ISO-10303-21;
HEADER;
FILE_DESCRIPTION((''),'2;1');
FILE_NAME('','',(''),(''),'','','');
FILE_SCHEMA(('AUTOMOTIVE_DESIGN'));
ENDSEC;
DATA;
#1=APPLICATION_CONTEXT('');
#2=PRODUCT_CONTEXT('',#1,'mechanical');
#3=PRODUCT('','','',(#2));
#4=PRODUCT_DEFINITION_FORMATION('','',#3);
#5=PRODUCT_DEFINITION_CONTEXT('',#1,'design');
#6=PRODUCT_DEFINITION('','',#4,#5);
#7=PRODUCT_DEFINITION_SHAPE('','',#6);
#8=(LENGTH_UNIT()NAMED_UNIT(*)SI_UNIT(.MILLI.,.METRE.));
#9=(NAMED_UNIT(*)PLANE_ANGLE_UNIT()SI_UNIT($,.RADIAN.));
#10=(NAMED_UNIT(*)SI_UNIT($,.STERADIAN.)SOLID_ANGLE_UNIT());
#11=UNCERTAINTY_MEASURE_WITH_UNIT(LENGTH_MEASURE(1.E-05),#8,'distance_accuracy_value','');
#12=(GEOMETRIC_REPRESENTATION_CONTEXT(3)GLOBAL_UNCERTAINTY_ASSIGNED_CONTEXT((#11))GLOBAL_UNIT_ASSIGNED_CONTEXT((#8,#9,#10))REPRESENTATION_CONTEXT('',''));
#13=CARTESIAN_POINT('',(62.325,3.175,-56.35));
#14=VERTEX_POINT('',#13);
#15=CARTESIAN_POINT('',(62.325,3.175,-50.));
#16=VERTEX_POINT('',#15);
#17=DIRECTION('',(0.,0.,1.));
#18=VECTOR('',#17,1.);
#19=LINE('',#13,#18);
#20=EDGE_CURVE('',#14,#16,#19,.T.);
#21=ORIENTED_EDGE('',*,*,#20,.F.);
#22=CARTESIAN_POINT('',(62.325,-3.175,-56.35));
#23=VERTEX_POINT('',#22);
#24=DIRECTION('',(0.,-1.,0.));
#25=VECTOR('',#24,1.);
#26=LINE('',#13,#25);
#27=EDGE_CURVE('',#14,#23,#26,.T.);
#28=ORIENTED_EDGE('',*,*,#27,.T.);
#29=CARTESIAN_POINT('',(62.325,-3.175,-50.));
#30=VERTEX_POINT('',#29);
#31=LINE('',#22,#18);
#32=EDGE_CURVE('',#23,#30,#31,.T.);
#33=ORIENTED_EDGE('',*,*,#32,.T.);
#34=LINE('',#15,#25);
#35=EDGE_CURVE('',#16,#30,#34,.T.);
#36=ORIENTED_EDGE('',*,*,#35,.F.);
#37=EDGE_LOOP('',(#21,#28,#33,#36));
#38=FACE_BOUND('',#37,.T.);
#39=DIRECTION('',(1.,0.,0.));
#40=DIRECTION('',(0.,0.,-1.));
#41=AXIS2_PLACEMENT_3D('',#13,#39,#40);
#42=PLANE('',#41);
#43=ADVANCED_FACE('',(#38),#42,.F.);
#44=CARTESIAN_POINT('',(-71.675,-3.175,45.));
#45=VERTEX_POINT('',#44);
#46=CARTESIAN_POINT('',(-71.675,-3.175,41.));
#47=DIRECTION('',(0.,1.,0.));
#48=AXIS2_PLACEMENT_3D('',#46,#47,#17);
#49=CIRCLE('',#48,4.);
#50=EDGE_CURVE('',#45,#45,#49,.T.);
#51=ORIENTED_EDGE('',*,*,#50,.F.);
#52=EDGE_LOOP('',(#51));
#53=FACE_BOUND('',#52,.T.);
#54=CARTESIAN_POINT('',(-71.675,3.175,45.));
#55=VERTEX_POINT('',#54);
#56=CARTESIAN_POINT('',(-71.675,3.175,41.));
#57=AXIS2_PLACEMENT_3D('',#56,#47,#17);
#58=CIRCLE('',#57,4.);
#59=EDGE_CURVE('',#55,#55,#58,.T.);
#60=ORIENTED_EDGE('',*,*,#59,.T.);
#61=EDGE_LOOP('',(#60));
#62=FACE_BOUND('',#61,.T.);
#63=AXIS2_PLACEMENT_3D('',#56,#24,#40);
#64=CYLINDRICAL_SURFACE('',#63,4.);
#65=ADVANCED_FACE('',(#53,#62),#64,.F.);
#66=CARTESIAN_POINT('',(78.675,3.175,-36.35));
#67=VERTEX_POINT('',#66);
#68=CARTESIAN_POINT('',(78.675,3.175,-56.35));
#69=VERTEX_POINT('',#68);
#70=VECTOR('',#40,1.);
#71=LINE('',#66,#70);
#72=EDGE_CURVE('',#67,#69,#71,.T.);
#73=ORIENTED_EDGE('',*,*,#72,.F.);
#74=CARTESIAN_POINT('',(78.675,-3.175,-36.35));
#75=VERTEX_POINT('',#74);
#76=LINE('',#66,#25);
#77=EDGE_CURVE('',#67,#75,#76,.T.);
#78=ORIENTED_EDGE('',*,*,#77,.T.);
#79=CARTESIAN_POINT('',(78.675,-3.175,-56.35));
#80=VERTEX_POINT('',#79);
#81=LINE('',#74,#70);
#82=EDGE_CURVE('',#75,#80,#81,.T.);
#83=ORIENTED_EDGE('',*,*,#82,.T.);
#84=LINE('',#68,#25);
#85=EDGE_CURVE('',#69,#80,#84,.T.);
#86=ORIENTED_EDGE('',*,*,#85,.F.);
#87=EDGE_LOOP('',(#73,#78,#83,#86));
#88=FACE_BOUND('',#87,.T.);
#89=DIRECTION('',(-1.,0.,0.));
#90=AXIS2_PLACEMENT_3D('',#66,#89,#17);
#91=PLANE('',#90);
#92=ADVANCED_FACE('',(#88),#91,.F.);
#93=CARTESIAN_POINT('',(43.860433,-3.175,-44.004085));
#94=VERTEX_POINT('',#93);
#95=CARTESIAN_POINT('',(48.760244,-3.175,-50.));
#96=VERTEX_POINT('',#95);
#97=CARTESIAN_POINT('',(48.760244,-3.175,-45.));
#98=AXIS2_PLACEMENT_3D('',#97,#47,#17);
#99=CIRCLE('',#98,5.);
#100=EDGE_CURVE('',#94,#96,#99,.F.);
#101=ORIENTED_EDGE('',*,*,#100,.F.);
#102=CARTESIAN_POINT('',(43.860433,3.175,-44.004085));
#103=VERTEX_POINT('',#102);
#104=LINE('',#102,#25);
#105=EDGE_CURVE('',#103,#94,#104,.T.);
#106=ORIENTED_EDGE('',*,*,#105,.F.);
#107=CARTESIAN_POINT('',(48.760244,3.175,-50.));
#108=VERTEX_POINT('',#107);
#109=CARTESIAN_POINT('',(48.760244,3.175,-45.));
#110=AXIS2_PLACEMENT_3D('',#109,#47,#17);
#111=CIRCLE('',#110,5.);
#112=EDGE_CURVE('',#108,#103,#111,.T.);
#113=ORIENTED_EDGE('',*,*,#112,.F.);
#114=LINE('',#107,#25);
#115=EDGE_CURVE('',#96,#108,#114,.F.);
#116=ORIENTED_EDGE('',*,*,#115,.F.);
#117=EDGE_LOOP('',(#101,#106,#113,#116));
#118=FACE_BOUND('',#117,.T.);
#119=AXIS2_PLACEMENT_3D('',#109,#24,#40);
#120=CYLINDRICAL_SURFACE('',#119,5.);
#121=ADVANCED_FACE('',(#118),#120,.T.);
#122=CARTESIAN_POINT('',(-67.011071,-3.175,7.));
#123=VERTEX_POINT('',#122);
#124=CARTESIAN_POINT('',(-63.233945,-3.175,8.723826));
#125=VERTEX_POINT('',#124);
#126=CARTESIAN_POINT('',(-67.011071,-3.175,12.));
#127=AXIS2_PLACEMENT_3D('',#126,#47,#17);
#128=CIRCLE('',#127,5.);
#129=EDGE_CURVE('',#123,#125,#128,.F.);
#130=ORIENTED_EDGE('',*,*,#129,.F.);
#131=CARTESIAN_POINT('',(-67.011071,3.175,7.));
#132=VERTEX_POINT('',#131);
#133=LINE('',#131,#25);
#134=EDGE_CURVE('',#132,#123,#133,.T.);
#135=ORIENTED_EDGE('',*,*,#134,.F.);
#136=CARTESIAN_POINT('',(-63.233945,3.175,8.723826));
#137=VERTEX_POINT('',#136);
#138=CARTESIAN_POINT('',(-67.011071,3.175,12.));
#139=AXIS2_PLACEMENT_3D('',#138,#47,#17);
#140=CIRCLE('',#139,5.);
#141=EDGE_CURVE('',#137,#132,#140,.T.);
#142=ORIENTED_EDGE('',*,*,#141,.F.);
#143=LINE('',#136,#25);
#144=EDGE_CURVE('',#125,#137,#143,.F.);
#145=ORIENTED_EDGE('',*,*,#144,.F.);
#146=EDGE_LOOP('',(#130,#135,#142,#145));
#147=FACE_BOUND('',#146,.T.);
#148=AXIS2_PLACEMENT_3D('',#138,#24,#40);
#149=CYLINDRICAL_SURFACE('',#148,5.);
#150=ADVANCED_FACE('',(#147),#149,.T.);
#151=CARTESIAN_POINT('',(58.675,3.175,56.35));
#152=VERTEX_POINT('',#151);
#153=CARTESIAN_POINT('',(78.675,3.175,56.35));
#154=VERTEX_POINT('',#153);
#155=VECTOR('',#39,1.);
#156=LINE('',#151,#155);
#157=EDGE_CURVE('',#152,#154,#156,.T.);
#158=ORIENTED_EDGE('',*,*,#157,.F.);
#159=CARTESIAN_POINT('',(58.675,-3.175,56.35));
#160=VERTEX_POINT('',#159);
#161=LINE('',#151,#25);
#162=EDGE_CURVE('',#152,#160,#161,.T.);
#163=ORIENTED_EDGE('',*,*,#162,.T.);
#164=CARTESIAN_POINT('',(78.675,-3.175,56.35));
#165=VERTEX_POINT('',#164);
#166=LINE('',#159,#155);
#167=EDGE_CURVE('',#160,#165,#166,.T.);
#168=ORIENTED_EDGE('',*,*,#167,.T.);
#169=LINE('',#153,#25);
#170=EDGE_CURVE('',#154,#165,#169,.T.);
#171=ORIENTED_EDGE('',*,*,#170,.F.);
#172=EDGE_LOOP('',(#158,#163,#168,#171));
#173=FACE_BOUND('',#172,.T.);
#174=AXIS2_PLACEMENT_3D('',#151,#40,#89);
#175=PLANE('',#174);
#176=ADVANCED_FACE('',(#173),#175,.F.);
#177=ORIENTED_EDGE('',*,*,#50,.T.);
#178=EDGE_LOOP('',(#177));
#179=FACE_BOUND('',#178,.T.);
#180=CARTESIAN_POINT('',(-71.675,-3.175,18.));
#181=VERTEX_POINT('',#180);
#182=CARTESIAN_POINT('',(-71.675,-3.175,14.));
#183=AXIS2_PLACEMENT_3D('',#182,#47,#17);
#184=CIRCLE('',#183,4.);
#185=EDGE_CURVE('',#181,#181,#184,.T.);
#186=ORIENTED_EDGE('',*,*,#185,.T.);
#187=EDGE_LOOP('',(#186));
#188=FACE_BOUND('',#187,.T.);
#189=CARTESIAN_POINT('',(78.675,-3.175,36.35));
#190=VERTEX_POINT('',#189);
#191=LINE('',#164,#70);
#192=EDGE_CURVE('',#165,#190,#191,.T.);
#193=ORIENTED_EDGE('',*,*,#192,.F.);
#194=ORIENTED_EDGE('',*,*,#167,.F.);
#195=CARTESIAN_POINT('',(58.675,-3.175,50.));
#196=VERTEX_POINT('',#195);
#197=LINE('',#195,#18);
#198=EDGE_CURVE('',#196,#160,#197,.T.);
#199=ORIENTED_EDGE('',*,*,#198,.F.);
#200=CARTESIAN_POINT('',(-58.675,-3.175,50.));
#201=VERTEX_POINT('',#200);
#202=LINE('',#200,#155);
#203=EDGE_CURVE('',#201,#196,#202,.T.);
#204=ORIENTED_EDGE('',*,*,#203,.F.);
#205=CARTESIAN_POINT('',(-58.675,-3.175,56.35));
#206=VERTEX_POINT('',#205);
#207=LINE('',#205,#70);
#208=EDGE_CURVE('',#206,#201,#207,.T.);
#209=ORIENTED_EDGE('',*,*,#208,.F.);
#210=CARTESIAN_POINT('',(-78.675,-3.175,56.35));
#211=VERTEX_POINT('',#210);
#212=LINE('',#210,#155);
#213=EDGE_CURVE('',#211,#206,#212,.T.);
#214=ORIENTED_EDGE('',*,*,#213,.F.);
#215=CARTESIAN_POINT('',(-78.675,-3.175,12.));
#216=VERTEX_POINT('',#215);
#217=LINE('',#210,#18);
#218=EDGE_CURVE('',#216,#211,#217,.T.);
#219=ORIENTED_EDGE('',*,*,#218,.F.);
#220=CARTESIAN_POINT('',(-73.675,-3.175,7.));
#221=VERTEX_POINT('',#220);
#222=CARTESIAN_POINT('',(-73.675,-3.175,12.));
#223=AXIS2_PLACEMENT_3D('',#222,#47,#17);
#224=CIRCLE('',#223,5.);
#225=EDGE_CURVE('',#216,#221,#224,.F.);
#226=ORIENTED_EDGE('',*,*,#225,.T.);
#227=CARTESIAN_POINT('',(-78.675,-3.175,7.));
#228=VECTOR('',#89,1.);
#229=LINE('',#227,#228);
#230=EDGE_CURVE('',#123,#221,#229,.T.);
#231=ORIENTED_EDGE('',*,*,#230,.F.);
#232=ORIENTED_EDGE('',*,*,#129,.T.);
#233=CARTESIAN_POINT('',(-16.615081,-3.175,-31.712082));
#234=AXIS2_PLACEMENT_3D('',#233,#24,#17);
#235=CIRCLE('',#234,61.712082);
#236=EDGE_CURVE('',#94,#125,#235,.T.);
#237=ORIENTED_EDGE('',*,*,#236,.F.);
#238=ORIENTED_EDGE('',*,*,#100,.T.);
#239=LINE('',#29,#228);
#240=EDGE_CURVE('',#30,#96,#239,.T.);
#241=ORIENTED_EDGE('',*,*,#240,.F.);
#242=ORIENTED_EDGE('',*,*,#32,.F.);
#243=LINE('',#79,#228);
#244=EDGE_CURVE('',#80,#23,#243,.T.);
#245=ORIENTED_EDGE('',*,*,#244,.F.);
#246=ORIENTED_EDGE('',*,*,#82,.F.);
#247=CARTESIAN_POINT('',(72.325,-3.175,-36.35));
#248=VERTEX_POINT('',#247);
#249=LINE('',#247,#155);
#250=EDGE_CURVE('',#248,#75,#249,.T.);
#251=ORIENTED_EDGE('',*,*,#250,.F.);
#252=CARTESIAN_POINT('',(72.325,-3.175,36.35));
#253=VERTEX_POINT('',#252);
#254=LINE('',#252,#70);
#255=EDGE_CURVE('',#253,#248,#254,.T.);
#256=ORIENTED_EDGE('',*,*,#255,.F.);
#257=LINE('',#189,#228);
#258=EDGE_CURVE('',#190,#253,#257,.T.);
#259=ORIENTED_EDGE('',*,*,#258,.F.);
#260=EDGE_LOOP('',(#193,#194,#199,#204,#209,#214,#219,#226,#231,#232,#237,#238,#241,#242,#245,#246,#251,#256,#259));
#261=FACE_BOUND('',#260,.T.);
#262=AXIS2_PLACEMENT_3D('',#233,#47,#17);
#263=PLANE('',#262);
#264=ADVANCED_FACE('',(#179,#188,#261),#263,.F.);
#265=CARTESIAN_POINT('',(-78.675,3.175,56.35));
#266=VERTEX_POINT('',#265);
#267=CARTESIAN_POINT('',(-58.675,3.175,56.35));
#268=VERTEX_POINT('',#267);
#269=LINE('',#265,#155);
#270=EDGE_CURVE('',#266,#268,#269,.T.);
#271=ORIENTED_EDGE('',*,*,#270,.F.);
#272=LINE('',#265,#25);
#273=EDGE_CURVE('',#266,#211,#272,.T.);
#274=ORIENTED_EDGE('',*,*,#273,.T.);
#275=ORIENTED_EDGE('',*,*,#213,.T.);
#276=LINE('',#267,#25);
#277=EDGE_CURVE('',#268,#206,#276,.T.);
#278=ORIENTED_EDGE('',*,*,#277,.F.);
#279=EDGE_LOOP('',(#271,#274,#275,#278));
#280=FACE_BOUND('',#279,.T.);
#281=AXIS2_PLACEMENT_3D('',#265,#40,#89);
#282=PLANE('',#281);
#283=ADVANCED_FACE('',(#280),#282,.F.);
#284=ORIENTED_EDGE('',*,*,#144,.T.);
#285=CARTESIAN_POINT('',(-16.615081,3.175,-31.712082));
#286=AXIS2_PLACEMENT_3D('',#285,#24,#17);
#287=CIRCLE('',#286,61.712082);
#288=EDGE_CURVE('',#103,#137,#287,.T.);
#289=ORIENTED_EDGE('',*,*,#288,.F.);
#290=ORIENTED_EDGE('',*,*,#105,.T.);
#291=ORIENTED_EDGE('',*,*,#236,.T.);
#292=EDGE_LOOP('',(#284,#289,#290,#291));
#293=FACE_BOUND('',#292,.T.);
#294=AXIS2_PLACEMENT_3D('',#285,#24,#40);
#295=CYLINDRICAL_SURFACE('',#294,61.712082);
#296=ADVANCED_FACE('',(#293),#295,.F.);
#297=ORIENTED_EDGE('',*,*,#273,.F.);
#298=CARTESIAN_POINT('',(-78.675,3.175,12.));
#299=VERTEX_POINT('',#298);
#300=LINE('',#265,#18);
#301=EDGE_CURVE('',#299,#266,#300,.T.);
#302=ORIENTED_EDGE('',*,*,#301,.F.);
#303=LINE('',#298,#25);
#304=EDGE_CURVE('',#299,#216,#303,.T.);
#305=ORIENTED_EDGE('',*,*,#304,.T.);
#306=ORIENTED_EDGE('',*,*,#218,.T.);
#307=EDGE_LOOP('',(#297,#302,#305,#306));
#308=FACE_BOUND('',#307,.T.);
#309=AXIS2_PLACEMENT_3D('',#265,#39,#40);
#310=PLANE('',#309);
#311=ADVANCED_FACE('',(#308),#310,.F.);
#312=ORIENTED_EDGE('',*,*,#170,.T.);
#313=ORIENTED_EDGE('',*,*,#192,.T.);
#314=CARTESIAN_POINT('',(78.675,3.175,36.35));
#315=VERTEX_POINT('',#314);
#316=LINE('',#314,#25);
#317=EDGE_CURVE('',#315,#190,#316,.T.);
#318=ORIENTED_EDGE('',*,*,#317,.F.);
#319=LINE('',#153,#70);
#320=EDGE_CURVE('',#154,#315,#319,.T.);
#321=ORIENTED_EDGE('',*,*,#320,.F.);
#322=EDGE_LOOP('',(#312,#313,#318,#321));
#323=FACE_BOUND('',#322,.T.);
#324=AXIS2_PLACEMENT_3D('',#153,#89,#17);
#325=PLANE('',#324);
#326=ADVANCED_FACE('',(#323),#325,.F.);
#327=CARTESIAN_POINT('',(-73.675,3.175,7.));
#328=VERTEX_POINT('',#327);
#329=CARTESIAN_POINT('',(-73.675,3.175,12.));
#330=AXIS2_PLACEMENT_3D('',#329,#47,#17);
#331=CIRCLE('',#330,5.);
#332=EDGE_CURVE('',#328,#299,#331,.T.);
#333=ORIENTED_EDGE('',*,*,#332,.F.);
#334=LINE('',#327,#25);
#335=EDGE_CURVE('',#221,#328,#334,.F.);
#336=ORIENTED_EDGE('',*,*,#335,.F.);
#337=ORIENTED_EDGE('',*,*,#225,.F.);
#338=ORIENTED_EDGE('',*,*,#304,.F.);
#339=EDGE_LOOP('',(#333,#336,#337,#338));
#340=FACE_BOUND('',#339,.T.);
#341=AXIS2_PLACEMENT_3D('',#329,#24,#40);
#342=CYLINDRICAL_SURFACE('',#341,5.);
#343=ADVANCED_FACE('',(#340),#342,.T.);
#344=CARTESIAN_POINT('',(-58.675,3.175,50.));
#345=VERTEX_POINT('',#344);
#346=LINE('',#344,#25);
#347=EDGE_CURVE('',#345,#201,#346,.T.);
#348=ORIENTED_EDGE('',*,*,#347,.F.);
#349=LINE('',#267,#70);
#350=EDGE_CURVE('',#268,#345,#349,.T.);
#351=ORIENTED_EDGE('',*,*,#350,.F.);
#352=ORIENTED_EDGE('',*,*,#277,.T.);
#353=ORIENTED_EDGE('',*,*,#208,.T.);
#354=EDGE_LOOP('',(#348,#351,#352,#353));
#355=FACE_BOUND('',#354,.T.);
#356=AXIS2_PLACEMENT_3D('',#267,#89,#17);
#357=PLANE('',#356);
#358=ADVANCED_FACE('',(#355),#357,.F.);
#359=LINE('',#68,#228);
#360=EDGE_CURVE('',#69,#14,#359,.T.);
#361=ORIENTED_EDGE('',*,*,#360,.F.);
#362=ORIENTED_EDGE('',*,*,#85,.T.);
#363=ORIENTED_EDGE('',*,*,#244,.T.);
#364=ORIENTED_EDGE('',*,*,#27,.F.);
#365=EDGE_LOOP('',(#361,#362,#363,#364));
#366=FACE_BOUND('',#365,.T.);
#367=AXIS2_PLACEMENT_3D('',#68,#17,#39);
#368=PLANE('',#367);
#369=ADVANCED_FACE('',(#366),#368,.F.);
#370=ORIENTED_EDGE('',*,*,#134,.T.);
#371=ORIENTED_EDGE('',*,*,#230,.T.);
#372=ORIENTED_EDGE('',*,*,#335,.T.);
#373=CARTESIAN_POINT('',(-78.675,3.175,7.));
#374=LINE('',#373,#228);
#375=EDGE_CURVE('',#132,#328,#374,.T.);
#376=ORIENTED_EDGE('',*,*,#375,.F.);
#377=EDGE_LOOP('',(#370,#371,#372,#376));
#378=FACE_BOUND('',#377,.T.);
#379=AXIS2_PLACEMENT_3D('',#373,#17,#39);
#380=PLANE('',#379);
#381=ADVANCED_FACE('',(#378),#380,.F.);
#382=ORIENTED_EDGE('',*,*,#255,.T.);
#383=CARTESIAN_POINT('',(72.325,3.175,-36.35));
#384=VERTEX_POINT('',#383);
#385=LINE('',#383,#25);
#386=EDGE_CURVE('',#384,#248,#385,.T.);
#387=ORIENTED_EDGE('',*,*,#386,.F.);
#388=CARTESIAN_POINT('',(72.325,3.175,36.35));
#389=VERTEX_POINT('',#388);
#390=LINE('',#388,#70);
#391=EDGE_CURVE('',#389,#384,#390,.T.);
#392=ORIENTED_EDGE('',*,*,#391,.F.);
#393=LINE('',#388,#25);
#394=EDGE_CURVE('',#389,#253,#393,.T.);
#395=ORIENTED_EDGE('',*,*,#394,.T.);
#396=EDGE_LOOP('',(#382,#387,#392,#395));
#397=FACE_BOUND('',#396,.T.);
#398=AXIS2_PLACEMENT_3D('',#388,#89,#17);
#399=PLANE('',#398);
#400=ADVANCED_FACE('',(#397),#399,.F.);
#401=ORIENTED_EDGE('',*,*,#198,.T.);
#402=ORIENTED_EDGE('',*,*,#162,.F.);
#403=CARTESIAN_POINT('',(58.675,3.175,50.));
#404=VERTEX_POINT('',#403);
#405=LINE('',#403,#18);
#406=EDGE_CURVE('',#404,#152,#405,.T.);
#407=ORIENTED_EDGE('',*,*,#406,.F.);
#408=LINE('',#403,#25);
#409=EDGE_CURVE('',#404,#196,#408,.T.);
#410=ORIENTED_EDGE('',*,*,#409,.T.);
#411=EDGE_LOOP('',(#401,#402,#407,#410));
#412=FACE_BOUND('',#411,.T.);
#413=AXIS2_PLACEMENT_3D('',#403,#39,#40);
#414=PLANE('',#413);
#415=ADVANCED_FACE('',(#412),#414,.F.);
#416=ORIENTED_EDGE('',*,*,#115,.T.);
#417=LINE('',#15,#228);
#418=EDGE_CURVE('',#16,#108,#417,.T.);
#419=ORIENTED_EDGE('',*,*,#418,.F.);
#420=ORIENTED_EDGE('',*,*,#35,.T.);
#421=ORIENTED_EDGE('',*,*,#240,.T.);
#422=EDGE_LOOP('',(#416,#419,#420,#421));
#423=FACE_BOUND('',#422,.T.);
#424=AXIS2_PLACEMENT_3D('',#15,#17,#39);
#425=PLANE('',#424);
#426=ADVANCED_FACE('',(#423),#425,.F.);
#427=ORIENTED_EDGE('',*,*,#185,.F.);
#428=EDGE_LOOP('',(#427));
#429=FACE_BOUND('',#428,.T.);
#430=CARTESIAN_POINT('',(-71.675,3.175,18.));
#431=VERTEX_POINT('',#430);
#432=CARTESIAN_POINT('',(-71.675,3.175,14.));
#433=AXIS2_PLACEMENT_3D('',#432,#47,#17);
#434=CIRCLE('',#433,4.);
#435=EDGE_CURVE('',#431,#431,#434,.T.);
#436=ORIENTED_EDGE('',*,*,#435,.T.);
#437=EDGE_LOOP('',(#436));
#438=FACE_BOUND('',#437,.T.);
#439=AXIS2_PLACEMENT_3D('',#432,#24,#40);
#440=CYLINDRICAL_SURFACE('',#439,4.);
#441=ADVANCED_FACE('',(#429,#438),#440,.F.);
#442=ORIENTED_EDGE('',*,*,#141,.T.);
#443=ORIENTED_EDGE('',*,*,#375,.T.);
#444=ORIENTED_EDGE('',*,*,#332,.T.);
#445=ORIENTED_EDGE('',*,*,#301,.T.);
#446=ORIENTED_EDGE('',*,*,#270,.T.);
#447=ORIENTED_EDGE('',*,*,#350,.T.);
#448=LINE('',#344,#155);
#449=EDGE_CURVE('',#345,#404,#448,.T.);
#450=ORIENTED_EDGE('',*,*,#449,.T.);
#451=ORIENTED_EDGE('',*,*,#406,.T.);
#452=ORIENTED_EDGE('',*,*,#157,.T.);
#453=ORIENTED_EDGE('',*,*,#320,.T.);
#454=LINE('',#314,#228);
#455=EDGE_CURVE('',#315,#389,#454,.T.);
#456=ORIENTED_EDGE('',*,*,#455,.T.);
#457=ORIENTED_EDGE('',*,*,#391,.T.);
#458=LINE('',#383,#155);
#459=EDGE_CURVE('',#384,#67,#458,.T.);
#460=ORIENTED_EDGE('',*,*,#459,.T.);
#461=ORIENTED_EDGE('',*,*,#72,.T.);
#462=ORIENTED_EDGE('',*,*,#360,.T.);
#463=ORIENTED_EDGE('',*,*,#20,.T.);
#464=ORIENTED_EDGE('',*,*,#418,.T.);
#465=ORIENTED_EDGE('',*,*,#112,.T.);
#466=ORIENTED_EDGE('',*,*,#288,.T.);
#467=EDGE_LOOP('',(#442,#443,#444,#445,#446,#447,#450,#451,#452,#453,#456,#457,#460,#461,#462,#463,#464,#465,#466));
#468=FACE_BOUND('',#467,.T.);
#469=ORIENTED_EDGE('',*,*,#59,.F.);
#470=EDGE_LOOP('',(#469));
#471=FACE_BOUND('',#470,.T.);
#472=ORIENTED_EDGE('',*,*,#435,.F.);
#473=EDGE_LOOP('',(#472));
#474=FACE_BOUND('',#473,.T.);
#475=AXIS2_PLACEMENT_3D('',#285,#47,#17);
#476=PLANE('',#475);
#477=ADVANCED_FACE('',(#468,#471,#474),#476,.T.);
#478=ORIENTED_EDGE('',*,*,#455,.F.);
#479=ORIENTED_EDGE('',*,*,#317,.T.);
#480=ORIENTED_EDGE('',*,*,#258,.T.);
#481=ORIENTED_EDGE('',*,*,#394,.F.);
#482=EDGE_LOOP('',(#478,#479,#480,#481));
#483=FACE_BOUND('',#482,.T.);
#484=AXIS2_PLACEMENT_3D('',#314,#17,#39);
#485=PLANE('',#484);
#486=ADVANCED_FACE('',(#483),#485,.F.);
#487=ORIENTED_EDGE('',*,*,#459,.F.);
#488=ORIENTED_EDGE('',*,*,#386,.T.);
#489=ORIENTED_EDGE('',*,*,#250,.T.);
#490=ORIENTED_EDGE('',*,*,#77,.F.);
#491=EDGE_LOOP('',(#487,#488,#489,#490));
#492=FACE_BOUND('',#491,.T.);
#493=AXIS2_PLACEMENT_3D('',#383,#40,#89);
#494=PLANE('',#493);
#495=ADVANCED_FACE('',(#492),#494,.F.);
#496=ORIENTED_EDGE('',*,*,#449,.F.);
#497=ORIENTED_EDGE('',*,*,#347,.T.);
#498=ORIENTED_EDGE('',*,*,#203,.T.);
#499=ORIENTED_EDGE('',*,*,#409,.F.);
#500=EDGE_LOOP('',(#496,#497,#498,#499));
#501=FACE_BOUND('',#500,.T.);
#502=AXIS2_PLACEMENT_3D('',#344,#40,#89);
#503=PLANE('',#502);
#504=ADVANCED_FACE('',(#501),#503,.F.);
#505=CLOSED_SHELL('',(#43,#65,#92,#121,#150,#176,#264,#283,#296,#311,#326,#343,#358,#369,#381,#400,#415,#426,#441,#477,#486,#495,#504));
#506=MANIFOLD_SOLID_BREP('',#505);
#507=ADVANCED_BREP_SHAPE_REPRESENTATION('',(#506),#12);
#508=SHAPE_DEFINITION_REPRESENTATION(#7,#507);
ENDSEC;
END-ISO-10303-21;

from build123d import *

# Parameters (mm, degrees)
SKETCH1_R           = 4
BOSS_EXTRUDE1_DEPTH = 3.175
FILLET1_R           = 5


with BuildPart() as part:
    # Sketch1 → Boss-Extrude1 (new, symmetric)
    with BuildSketch(Plane(origin=(0, 0, 0), x_dir=(1, 0, 0), z_dir=(0, 1, 0))):
        with BuildLine():
            Line((-78.675, -56.35), (-58.675, -56.35))
            Line((-58.675, -56.35), (-58.675, -50))
            Line((-58.675, -50), (58.675, -50))
            Line((58.675, -50), (58.675, -56.35))
            Line((58.675, -56.35), (78.675, -56.35))
            Line((78.675, -56.35), (78.675, -36.35))
            Line((78.675, -36.35), (72.325, -36.35))
            Line((72.325, -36.35), (72.325, 36.35))
            Line((72.325, 36.35), (78.675, 36.35))
            Line((78.675, 36.35), (78.675, 56.35))
            Line((78.675, 56.35), (62.325, 56.35))
            Line((62.325, 56.35), (62.325, 50))
            Line((62.325, 50), (42.325, 50))
            ThreePointArc((42.325, 50), (12.399475155, -22.753839327), (-64.675, -7))
            Line((-64.675, -7), (-78.675, -7))
            Line((-78.675, -7), (-78.675, -56.35))
        make_face()
        with Locations(Location((-71.675, -41, 0), (0, 0, 270))):
            Circle(SKETCH1_R, mode=Mode.SUBTRACT)
        with Locations(Location((-71.675, -14, 0), (0, 0, 270))):
            Circle(SKETCH1_R, mode=Mode.SUBTRACT)
    extrude(amount=BOSS_EXTRUDE1_DEPTH, both=True)

    # Fillet1
    fillet1_edges = [part.edges().sort_by_distance(p)[0] for p in [
        (-78.675, 0, 7),
        (-64.675, 0, 7),
        (42.325, 0, -50),
    ]]
    fillet(fillet1_edges, radius=FILLET1_R)


solid = part.part
